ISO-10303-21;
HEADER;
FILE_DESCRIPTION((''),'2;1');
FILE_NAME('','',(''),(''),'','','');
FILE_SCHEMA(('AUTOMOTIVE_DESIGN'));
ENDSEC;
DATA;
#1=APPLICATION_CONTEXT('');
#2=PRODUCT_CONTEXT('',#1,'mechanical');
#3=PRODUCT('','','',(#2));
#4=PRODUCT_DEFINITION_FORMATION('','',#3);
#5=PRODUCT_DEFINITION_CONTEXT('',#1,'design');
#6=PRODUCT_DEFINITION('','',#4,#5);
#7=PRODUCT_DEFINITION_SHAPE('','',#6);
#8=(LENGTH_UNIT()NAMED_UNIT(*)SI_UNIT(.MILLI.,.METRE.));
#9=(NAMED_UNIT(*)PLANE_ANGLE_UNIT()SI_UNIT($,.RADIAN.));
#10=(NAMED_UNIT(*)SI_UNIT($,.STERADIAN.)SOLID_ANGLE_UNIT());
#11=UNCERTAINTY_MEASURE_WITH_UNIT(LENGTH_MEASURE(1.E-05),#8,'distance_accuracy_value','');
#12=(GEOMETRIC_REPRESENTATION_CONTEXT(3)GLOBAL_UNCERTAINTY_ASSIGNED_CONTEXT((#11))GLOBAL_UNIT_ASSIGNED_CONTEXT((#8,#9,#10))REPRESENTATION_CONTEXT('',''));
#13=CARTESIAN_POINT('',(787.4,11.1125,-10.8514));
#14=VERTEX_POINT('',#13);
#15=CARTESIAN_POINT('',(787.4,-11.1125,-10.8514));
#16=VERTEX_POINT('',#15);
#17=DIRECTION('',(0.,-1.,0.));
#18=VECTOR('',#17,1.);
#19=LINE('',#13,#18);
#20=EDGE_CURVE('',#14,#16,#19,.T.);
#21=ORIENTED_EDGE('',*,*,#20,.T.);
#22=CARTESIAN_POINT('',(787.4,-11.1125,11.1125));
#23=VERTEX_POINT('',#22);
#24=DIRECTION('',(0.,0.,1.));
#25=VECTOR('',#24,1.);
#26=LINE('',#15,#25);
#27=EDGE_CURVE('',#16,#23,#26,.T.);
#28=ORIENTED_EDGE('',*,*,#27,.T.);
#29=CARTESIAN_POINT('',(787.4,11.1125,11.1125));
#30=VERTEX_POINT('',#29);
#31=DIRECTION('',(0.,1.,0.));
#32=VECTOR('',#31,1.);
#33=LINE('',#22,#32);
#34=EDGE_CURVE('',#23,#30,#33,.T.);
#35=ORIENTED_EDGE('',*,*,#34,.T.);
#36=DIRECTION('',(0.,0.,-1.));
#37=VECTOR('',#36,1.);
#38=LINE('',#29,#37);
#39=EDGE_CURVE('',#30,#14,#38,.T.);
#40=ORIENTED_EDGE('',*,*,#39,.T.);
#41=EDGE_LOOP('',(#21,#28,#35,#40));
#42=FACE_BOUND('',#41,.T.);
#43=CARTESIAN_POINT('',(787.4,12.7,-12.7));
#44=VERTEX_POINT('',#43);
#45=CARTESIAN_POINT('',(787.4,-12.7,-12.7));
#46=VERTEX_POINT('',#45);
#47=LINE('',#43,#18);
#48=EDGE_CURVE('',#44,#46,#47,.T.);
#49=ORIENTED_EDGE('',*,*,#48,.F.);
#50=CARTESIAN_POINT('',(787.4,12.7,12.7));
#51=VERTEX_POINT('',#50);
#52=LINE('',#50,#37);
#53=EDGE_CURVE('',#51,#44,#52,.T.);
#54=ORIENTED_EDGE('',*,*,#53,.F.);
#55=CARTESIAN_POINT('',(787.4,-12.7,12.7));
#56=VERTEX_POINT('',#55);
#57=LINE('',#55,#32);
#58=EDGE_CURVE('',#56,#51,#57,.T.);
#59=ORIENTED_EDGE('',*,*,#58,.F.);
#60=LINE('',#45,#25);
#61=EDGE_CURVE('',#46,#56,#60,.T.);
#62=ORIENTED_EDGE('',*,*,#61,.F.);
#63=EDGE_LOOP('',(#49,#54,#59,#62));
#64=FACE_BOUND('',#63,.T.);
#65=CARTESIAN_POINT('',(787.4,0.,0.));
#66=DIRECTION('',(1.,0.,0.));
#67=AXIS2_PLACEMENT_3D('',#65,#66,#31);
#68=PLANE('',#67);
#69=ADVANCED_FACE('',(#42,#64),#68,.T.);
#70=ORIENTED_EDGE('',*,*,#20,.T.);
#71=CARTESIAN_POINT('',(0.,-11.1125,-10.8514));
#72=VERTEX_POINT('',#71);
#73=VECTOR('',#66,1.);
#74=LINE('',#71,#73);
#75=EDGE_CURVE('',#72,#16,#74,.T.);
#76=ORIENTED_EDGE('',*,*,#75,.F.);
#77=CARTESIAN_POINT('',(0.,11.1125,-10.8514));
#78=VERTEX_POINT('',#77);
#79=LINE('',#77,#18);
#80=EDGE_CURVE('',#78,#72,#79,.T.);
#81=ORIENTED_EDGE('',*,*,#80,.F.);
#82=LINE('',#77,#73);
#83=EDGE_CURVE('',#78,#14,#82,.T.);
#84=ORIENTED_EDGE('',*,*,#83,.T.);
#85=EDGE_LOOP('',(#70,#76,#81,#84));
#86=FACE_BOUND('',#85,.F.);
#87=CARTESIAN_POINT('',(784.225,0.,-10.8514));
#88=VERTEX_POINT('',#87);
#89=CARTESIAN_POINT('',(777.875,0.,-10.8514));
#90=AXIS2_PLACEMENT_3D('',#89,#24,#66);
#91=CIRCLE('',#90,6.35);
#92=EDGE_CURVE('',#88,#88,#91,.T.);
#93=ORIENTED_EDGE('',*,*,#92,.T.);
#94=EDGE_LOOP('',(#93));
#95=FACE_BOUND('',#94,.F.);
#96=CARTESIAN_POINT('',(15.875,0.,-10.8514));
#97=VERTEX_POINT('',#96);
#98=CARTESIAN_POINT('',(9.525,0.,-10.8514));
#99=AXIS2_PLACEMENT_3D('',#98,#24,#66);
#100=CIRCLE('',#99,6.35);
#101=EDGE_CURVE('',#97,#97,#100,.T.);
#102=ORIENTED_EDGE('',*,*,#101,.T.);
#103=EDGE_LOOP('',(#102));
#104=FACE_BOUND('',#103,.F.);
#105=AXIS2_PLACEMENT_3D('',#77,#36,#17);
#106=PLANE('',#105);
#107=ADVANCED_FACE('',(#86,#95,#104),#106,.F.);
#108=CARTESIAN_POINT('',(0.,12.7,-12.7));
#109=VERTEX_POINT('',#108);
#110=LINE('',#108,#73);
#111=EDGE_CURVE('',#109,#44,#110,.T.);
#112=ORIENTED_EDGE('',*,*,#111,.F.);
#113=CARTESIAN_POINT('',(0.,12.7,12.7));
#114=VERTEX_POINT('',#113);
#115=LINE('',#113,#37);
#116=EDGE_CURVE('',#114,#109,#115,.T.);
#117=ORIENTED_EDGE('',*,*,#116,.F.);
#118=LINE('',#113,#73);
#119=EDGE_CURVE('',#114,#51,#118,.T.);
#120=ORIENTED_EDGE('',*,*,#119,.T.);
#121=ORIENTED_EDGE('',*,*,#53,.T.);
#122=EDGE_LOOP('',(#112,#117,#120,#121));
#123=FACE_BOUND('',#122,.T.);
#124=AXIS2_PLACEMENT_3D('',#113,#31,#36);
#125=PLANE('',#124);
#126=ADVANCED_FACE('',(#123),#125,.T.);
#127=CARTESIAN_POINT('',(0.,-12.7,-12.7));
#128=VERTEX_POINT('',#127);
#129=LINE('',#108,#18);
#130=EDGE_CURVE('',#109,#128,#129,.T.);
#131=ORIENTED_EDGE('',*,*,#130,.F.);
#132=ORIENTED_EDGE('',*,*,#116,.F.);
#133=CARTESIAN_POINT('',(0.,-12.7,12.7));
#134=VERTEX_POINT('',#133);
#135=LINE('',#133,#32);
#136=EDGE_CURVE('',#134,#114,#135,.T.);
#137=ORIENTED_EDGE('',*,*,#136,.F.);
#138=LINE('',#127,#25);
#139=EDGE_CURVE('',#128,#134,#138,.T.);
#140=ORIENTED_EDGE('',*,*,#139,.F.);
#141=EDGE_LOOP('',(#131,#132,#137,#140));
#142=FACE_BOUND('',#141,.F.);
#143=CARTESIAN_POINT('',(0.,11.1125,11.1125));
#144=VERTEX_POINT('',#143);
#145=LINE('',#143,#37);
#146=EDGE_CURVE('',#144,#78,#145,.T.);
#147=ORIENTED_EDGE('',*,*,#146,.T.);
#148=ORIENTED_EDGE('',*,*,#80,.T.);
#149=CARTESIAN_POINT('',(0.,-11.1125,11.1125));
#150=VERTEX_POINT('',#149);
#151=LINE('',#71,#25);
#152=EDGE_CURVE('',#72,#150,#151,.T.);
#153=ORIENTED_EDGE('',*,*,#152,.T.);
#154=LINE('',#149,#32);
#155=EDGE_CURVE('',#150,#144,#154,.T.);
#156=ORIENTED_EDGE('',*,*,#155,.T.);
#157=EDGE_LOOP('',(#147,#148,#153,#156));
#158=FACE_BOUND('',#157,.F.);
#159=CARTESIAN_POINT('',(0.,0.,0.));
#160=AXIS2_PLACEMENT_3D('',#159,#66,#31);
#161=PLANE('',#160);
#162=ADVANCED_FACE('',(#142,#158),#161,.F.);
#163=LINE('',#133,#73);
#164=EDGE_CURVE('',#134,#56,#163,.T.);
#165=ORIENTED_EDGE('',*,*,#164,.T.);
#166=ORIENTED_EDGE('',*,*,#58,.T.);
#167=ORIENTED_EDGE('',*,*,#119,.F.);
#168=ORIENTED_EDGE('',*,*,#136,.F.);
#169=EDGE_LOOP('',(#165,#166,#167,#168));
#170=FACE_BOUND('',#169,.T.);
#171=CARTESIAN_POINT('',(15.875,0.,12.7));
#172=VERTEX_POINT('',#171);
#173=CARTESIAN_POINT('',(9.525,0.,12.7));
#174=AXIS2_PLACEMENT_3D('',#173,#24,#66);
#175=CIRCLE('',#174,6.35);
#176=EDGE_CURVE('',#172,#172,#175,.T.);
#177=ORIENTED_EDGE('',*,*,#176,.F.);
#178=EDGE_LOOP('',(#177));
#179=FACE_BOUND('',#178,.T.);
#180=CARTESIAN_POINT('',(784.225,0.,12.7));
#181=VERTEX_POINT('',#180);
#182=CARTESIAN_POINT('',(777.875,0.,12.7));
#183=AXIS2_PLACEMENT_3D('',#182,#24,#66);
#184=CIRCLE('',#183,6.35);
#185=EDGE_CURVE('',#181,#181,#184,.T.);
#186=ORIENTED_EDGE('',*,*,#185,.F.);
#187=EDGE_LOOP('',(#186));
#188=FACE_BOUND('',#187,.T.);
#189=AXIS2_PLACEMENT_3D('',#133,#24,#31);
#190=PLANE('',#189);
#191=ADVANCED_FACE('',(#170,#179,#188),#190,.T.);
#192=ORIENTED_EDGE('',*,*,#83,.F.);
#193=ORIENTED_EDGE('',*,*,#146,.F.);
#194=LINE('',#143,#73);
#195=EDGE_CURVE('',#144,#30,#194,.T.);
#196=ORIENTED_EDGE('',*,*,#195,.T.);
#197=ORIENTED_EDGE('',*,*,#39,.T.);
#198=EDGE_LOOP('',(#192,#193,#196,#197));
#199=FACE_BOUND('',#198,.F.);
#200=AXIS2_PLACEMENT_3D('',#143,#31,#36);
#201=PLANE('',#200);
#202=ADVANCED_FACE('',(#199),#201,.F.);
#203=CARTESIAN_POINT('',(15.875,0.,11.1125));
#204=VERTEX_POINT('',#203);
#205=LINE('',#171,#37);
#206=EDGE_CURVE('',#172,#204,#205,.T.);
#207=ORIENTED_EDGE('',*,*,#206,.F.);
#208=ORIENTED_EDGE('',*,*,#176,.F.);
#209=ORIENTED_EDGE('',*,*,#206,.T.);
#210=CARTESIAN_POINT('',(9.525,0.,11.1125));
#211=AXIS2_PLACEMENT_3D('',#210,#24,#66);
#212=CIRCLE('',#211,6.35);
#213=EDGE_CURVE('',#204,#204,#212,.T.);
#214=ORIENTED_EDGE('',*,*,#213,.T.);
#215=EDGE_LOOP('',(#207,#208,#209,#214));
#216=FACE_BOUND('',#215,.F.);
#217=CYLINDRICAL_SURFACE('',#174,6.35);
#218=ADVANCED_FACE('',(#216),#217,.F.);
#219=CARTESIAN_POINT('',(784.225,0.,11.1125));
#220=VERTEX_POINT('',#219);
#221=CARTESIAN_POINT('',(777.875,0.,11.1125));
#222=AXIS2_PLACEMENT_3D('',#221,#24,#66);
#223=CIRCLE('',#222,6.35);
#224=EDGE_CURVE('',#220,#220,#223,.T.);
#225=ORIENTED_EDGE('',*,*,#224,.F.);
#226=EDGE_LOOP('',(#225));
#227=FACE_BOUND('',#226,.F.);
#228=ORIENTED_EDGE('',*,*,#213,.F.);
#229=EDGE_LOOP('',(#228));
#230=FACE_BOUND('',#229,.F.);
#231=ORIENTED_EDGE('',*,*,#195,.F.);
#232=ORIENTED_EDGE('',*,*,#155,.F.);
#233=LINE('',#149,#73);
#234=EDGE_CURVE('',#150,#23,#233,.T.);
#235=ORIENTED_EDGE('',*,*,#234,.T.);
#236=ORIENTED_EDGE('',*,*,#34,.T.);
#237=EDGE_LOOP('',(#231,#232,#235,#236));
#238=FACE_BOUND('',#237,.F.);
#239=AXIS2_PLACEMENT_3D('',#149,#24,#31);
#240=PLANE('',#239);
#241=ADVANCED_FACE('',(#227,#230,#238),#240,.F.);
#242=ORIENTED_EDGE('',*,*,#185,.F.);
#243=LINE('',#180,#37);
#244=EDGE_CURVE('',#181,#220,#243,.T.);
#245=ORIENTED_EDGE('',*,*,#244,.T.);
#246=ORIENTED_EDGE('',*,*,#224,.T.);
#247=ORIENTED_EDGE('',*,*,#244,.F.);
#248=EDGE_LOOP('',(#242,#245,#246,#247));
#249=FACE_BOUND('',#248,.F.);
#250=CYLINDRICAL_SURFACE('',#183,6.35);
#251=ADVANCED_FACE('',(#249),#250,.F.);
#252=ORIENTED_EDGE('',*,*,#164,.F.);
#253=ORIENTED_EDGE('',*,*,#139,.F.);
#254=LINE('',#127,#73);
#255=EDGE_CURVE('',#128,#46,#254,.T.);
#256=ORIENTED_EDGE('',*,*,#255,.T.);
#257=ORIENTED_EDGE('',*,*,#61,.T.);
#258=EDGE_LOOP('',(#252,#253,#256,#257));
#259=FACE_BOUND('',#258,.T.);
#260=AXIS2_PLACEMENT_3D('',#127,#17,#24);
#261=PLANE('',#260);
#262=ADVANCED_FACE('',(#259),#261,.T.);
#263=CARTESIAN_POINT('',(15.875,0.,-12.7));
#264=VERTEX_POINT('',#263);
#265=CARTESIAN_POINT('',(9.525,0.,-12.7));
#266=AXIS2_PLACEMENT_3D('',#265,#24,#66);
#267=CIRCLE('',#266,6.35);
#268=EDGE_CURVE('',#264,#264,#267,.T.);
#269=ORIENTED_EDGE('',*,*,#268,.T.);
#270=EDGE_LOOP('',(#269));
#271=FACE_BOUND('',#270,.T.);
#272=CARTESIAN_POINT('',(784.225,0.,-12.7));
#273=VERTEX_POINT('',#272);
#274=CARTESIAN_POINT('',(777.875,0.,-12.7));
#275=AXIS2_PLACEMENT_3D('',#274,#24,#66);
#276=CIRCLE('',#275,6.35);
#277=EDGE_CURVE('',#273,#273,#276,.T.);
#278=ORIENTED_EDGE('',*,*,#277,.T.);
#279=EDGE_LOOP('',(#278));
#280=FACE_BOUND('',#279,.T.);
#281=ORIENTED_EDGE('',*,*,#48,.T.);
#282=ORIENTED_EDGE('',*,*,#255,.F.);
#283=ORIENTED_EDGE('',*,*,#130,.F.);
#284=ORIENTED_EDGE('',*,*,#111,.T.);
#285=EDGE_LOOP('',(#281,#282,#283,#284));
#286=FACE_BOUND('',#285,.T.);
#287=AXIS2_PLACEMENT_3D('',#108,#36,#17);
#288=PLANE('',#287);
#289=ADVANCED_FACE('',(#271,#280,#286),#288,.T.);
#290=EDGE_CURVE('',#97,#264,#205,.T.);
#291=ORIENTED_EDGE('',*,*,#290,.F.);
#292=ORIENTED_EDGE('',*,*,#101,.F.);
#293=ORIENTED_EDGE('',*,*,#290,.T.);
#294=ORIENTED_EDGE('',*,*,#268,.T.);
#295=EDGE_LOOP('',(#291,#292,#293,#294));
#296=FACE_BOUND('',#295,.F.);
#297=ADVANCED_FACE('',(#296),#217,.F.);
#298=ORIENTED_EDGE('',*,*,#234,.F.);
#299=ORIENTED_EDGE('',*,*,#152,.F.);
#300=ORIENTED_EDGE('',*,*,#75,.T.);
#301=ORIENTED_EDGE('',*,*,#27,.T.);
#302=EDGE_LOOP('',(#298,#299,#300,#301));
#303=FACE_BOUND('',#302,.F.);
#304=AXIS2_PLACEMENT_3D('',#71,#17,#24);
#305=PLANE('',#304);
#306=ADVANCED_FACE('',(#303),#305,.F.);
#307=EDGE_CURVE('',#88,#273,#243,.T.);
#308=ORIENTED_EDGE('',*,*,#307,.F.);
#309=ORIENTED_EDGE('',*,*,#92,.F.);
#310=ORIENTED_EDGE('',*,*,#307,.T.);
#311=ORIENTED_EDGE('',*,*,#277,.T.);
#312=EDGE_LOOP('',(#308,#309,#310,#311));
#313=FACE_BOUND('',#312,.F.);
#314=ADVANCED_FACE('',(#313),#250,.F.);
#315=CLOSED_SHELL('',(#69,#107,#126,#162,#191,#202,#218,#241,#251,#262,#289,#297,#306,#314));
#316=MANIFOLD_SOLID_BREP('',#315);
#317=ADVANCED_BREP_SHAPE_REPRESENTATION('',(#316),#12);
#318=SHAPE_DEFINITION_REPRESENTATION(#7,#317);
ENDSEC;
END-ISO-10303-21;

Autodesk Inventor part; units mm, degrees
ref_plane "YZ Plane" through (0, 0, 0) normal (1, 0, 0) x (0, 1, 0)
ref_plane "XZ Plane" through (0, 0, 0) normal (0, 1, 0) x (-1, 0, 0)
ref_plane "XY Plane" through (0, 0, 0) normal (0, 0, 1) x (1, 0, 0)
sketch "Sketch1" plane through (0, 0, 0) normal (1, 0, 0) x (0, 1, 0)
  line L0 (-12.7, 12.7) -> (12.7, 12.7)
  line L1 (12.7, 12.7) -> (12.7, -12.7)
  line L2 (12.7, -12.7) -> (-12.7, -12.7)
  line L3 (-12.7, -12.7) -> (-12.7, 12.7)
  line L4 (-11.1125, 11.1125) -> (11.1125, 11.1125)
  line L5 (11.1125, 11.1125) -> (11.1125, -10.8514)
  line L6 (11.1125, -10.8514) -> (-11.1125, -10.8514)
  line L7 (-11.1125, -10.8514) -> (-11.1125, 11.1125)
  point P0 (0, 0)
  point P1 (0, 12.7)
  point P2 (-12.7, 0)
  dimension "d0" = 25.4
  dimension "d1" = 25.4
  dimension "d2" = 1.5875
  dimension "d3" = 1.5875
  dimension "d4" = 1.5875
extrude "Extrusion1" add sketch "Sketch1" along normal blind 787.4
sketch "Sketch2" plane through (0, -12.7, 12.7) normal (0, 0, 1) x (1, 0, 0)
  circle A0 centre (9.525, 12.7) radius 6.35
  circle A1 centre (777.875, 12.7) radius 6.35
  line L0 (787.4, 25.4) -> (787.4, 0) projected
  point P0 (0, 12.7)
  dimension "d7" = 12.7
  dimension "d8" = 9.525
  dimension "d9" = 12.7
  dimension "d10" = 9.525
extrude "Extrusion2" cut sketch "Sketch2" against normal blind 50.8
equation "\"d1\" = d0"
equation "\"d3\" = d2"
equation "\"d4\" = d2"
equation "\"d9\" = d7"
equation "\"d10\" = d8"
properties part number "Long Bar"
